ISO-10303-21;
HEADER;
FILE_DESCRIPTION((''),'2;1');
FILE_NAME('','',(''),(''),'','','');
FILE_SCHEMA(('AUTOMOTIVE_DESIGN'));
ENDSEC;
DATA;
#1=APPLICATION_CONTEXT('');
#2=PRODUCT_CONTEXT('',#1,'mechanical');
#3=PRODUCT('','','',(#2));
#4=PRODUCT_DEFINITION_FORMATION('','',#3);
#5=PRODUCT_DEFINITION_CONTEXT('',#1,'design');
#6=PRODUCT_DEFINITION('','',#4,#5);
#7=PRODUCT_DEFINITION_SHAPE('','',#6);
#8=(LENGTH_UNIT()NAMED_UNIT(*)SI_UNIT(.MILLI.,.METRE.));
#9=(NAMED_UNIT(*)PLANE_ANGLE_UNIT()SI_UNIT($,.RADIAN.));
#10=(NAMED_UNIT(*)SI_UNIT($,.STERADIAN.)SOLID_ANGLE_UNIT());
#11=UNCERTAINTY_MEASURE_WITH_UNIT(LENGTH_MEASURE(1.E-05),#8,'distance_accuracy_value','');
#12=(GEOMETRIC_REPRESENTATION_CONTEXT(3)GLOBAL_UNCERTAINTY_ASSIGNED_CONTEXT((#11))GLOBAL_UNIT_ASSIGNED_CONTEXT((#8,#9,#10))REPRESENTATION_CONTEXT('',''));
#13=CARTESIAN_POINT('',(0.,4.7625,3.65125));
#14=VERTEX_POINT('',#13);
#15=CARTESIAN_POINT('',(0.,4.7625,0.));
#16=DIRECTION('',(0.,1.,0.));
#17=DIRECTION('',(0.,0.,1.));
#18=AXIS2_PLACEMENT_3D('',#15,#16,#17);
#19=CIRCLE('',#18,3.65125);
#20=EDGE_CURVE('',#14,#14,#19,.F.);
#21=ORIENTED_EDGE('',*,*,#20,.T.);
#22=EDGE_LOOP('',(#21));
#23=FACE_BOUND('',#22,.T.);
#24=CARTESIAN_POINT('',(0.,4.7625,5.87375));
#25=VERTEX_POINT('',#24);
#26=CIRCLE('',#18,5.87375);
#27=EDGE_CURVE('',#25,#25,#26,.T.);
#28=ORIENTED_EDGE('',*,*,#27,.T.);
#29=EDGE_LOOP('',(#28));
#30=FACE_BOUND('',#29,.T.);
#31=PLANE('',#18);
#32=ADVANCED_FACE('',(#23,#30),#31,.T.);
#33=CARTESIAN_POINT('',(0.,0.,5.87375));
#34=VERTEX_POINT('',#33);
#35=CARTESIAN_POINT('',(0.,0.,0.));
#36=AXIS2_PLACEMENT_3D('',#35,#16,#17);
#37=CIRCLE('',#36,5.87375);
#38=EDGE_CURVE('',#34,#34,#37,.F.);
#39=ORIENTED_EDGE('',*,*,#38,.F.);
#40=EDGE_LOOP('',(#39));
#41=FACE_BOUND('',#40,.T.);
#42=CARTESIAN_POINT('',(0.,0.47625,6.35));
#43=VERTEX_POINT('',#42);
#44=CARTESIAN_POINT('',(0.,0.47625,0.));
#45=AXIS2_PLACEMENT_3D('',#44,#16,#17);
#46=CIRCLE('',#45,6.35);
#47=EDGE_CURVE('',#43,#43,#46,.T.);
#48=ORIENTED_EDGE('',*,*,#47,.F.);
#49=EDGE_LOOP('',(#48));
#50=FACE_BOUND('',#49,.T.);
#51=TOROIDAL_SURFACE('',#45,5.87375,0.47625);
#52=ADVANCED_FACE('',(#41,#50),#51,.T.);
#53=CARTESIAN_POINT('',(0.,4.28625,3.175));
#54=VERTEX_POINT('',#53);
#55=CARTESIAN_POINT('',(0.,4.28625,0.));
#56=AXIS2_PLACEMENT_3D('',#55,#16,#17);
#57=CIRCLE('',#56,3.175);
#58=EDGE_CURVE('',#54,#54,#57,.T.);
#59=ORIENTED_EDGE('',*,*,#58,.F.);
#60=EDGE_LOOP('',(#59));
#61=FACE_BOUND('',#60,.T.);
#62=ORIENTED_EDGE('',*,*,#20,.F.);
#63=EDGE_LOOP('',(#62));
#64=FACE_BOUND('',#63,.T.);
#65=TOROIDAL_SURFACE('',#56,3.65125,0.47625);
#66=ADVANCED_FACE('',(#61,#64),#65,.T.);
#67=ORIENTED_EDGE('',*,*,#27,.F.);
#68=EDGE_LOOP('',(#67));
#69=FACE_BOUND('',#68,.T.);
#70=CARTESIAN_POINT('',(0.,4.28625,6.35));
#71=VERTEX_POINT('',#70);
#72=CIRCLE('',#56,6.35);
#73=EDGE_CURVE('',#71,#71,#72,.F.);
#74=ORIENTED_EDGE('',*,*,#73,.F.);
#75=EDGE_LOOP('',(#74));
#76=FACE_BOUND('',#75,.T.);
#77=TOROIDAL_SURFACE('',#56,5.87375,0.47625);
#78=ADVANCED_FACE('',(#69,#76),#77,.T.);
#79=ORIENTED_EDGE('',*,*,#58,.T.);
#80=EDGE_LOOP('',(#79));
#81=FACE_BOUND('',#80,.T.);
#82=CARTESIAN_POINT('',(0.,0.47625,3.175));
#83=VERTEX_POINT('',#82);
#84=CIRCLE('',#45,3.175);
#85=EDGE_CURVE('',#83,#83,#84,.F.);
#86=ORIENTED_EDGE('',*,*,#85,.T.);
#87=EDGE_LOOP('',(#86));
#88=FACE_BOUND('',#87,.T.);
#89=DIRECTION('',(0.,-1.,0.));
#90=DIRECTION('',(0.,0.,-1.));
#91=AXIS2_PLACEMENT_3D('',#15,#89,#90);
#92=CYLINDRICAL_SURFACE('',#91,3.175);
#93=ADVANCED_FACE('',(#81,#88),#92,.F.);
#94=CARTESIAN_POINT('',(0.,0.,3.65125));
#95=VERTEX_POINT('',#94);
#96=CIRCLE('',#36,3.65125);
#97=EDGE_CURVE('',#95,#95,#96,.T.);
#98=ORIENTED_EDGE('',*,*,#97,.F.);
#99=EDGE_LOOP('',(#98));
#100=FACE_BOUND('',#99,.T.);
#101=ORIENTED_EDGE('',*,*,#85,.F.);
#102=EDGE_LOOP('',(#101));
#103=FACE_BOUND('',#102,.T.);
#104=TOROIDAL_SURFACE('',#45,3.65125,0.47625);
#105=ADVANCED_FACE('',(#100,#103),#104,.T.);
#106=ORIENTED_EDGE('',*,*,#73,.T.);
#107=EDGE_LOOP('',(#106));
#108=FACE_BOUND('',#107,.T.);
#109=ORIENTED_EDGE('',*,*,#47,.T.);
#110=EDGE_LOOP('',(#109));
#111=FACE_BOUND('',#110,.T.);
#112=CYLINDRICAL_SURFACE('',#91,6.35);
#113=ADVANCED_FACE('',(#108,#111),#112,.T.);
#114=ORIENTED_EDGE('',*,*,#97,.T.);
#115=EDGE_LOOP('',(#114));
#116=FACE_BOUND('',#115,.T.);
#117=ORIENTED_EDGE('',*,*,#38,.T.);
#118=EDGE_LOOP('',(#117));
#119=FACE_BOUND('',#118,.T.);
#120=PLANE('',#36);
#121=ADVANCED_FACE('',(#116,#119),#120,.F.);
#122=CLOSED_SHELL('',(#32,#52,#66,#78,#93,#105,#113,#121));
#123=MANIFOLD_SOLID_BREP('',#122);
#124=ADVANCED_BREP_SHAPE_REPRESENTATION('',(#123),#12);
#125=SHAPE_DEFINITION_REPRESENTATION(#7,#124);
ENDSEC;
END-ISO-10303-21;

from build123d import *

# Parameters (mm, degrees)
SKETCH1_R   = 6.35
SKETCH1_R_2 = 3.175
BORE_DEPTH  = 4.7625
FILLET_2_R  = 0.47625


with BuildPart() as part:
    # Sketch1 → Bore (new body)
    with BuildSketch(Plane(origin=(0, 0, 0), x_dir=(1, 0, 0), z_dir=(0, 1, 0))):
        Circle(SKETCH1_R)
        Circle(SKETCH1_R_2, mode=Mode.SUBTRACT)
    extrude(amount=BORE_DEPTH)

    # Fillet 2
    fillet_2_edges = [part.edges().sort_by_distance(p)[0] for p in [
        (-6.35, 0, 0),
        (-6.35, 4.7625, 0),
        (-3.175, 0, 0),
        (-3.175, 4.7625, 0),
    ]]
    fillet(fillet_2_edges, radius=FILLET_2_R)


solid = part.part
